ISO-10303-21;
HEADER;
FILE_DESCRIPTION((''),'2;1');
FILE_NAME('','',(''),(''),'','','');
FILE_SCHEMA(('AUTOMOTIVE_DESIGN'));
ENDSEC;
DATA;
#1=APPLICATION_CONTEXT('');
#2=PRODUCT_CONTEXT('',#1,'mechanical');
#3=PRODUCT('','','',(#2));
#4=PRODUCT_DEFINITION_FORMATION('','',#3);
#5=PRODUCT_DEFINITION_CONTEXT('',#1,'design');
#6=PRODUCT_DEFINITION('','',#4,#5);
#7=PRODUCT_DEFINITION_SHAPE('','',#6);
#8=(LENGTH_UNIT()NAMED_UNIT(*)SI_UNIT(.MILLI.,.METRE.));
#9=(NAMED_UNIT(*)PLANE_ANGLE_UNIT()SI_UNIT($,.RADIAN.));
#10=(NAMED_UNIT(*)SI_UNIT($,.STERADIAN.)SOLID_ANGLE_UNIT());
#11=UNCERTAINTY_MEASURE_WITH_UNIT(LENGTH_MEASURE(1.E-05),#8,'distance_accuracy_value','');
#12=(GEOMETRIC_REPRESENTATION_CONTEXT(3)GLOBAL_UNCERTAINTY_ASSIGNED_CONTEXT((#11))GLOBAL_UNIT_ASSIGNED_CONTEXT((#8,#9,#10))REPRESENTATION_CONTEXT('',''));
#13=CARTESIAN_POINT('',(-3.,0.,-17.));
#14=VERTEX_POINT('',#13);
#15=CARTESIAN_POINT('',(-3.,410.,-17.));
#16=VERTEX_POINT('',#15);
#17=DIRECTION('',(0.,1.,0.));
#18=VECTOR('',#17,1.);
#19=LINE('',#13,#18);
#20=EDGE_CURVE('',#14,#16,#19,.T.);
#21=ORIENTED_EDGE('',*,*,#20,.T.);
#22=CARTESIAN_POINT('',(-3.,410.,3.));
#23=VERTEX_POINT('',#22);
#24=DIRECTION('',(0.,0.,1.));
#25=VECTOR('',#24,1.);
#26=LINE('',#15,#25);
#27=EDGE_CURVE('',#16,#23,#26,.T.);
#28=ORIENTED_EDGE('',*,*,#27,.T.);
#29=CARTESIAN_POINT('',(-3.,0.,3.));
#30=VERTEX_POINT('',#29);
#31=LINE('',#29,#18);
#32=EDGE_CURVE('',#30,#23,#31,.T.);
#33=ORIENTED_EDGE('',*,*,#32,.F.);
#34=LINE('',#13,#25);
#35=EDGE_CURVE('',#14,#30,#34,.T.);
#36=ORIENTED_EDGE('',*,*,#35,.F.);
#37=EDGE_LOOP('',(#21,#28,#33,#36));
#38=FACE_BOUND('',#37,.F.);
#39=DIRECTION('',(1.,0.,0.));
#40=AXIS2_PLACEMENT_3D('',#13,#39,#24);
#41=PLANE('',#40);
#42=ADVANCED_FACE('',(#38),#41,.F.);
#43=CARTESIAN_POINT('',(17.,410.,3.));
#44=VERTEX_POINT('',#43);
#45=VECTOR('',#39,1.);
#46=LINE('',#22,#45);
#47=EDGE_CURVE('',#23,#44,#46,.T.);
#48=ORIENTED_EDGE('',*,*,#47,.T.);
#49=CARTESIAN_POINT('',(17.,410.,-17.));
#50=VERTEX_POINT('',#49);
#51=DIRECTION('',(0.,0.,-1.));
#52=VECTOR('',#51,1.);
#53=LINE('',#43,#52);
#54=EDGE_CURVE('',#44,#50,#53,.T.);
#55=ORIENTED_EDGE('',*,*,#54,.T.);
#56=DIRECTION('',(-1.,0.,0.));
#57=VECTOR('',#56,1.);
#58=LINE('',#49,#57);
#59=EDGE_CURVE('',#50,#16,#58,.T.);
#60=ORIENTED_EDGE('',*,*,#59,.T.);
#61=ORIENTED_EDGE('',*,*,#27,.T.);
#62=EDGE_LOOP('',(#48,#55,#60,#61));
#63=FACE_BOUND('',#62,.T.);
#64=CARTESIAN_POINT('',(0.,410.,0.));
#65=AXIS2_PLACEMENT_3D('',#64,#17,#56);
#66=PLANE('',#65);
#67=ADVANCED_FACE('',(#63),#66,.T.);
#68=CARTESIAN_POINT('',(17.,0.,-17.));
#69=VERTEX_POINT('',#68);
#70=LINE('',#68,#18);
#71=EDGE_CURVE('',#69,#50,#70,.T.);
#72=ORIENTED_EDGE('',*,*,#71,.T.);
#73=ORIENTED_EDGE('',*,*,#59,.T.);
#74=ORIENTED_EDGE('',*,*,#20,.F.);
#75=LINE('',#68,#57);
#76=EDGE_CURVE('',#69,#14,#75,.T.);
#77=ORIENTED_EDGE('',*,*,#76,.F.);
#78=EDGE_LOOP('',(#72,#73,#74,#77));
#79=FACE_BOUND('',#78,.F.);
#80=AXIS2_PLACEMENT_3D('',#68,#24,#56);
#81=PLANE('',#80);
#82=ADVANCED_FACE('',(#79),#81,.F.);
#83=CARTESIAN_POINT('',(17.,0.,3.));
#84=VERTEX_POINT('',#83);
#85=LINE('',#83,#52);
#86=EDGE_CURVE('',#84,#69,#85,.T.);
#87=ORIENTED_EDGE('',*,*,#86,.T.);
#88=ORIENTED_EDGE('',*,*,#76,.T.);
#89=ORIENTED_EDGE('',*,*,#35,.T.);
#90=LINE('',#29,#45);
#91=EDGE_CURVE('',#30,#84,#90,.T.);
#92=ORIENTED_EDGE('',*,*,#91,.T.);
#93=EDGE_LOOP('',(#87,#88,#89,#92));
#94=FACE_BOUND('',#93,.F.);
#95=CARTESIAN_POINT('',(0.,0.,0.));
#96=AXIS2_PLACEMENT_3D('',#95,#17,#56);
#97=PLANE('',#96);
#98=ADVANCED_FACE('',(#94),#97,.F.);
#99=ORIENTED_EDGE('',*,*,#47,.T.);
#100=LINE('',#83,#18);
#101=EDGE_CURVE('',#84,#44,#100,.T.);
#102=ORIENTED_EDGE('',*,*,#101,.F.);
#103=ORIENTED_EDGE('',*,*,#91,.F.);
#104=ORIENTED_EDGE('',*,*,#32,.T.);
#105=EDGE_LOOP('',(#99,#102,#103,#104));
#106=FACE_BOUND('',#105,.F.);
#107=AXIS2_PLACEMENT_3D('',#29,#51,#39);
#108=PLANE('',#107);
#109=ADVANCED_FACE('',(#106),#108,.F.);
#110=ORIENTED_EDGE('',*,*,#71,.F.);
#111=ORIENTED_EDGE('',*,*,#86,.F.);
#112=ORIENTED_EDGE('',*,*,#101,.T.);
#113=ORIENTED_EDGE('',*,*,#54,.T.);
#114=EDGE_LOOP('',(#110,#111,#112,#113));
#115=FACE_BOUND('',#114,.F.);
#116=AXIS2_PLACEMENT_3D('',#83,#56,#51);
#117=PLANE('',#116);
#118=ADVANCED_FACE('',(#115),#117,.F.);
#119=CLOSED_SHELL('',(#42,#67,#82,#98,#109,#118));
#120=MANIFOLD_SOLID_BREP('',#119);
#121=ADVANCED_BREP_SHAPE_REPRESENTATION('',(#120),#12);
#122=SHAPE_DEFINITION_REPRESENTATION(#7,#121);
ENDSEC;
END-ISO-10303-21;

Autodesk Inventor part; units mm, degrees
ref_plane "YZ Plane" through (0, 0, 0) normal (1, 0, 0) x (0, 1, 0)
ref_plane "XZ Plane" through (0, 0, 0) normal (0, 1, 0) x (-1, 0, 0)
ref_plane "XY Plane" through (0, 0, 0) normal (0, 0, 1) x (1, 0, 0)
sketch "Sketch1" plane through (0, 0, 0) normal (0, 1, 0) x (-1, 0, 0)
  line L0 (3, 3) -> (-17, 3)
  line L1 (-17, 3) -> (-17, -17)
  line L2 (-17, -17) -> (3, -17)
  line L3 (3, -17) -> (3, 3)
  point P0 (0, 0)
  dimension "d0" = 20
  dimension "d1" = 20
extrude "Extrusion1" add sketch "Sketch1" along normal blind 410
properties part number "testsideLong" material "Wood (Cherry)"
